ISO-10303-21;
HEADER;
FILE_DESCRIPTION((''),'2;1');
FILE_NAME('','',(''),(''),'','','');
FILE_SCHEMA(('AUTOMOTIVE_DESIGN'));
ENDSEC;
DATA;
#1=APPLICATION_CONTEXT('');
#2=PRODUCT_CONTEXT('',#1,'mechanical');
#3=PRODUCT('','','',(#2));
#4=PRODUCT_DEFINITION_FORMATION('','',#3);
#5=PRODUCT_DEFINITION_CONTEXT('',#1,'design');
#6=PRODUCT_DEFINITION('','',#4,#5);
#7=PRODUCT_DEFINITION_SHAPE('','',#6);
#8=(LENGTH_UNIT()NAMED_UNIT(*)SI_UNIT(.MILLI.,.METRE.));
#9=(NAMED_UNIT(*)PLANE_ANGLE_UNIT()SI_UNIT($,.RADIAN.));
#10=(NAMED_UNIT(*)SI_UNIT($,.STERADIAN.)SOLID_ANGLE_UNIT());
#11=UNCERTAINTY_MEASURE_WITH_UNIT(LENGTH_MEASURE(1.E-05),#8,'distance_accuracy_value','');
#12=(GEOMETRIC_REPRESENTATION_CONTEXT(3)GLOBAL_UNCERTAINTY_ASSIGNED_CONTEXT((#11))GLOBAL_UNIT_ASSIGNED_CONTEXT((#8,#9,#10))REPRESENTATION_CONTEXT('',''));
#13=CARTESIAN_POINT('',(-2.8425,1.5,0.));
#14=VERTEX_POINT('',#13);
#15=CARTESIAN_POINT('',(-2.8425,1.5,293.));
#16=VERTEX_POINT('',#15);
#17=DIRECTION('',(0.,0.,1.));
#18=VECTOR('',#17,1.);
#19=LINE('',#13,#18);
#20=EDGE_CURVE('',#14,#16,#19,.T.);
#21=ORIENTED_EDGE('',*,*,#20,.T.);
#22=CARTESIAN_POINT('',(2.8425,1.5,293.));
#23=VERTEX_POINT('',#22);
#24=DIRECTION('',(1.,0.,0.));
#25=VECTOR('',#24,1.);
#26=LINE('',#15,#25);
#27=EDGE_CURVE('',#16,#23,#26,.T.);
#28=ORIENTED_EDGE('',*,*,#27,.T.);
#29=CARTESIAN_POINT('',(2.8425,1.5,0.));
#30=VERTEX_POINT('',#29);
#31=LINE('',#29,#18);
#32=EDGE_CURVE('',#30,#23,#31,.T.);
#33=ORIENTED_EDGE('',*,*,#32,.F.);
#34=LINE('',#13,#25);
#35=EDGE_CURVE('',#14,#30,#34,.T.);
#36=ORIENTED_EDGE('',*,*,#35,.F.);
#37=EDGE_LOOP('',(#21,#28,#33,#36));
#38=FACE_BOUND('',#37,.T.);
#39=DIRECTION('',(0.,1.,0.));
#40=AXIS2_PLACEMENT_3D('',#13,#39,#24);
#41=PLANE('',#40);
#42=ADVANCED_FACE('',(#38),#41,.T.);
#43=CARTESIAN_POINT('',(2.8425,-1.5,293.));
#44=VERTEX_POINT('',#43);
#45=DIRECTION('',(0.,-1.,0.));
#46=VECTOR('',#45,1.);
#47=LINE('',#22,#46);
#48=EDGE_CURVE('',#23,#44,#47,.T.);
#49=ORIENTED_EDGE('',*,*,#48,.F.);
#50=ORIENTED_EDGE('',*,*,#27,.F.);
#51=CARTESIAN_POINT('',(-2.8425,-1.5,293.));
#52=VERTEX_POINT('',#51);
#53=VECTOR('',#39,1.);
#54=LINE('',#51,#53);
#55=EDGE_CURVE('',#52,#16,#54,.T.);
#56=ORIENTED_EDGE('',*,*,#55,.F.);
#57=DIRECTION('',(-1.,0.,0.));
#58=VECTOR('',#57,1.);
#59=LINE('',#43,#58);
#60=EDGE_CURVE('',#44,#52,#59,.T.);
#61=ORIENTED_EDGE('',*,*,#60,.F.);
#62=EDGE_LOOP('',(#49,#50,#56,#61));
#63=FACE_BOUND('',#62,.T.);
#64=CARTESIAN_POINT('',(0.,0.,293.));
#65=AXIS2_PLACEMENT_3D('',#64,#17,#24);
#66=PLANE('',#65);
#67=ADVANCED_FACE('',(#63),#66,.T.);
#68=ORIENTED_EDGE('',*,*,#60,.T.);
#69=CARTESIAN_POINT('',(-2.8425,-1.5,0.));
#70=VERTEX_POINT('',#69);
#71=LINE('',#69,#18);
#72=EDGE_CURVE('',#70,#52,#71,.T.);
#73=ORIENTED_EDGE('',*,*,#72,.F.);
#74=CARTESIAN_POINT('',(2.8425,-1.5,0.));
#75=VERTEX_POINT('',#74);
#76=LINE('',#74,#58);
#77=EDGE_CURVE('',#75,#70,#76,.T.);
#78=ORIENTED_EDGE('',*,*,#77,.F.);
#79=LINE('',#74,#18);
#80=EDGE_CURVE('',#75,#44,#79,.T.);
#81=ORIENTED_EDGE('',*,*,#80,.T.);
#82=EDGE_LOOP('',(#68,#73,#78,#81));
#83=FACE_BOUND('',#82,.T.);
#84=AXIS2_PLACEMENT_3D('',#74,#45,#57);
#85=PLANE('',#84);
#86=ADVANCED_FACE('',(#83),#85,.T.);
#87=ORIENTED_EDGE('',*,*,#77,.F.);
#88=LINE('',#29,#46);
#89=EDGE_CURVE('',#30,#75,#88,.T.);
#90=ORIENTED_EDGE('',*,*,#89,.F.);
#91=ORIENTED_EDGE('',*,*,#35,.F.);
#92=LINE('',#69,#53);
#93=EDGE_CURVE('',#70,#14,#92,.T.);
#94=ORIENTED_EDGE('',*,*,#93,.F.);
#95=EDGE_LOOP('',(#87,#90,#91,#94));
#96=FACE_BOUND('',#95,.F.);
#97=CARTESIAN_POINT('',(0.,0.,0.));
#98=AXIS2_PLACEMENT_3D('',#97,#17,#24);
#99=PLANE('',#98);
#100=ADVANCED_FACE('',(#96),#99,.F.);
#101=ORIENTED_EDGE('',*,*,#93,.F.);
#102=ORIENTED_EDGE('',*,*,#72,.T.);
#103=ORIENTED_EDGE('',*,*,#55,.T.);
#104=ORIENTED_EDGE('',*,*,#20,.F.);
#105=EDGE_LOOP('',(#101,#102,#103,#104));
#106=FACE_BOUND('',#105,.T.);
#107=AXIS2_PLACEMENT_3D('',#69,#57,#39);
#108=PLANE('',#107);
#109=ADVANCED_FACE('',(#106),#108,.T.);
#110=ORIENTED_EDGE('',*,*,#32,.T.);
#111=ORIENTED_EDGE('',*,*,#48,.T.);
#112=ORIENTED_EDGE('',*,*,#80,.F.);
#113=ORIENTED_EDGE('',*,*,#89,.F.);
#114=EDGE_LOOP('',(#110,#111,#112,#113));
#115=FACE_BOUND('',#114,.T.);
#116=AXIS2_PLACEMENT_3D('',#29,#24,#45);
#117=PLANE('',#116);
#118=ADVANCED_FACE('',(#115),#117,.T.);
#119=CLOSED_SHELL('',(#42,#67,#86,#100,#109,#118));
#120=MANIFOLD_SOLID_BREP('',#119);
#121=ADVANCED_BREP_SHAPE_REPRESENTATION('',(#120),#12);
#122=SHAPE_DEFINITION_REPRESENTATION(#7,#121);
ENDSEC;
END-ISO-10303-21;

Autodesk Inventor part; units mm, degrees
ref_plane "YZ Plane" through (0, 0, 0) normal (1, 0, 0) x (0, 1, 0)
ref_plane "XZ Plane" through (0, 0, 0) normal (0, 1, 0) x (-1, 0, 0)
ref_plane "XY Plane" through (0, 0, 0) normal (0, 0, 1) x (1, 0, 0)
sketch "Sketch1" plane through (0, 0, 0) normal (0, 0, 1) x (1, 0, 0)
  line L0 (-2.8425, 1.5) -> (2.8425, 1.5)
  line L1 (2.8425, 1.5) -> (2.8425, -1.5)
  line L2 (2.8425, -1.5) -> (-2.8425, -1.5)
  line L3 (-2.8425, -1.5) -> (-2.8425, 1.5)
  line L4 (-2.8425, 1.5) -> (2.8425, -1.5) construction
  line L5 (2.8425, 1.5) -> (-2.8425, -1.5) construction
  point P0 (0, 0)
  point P1 (0.5696, -8.4058)
  point P2 (0, 0)
  dimension "d0" = 3
  dimension "d1" = 5.685
extrude "Extrusion1" add sketch "Sketch1" along normal blind 293
properties part number "2P.03.01.13.IM.AilBottSpanBeam" material "Wood (Birch)"
